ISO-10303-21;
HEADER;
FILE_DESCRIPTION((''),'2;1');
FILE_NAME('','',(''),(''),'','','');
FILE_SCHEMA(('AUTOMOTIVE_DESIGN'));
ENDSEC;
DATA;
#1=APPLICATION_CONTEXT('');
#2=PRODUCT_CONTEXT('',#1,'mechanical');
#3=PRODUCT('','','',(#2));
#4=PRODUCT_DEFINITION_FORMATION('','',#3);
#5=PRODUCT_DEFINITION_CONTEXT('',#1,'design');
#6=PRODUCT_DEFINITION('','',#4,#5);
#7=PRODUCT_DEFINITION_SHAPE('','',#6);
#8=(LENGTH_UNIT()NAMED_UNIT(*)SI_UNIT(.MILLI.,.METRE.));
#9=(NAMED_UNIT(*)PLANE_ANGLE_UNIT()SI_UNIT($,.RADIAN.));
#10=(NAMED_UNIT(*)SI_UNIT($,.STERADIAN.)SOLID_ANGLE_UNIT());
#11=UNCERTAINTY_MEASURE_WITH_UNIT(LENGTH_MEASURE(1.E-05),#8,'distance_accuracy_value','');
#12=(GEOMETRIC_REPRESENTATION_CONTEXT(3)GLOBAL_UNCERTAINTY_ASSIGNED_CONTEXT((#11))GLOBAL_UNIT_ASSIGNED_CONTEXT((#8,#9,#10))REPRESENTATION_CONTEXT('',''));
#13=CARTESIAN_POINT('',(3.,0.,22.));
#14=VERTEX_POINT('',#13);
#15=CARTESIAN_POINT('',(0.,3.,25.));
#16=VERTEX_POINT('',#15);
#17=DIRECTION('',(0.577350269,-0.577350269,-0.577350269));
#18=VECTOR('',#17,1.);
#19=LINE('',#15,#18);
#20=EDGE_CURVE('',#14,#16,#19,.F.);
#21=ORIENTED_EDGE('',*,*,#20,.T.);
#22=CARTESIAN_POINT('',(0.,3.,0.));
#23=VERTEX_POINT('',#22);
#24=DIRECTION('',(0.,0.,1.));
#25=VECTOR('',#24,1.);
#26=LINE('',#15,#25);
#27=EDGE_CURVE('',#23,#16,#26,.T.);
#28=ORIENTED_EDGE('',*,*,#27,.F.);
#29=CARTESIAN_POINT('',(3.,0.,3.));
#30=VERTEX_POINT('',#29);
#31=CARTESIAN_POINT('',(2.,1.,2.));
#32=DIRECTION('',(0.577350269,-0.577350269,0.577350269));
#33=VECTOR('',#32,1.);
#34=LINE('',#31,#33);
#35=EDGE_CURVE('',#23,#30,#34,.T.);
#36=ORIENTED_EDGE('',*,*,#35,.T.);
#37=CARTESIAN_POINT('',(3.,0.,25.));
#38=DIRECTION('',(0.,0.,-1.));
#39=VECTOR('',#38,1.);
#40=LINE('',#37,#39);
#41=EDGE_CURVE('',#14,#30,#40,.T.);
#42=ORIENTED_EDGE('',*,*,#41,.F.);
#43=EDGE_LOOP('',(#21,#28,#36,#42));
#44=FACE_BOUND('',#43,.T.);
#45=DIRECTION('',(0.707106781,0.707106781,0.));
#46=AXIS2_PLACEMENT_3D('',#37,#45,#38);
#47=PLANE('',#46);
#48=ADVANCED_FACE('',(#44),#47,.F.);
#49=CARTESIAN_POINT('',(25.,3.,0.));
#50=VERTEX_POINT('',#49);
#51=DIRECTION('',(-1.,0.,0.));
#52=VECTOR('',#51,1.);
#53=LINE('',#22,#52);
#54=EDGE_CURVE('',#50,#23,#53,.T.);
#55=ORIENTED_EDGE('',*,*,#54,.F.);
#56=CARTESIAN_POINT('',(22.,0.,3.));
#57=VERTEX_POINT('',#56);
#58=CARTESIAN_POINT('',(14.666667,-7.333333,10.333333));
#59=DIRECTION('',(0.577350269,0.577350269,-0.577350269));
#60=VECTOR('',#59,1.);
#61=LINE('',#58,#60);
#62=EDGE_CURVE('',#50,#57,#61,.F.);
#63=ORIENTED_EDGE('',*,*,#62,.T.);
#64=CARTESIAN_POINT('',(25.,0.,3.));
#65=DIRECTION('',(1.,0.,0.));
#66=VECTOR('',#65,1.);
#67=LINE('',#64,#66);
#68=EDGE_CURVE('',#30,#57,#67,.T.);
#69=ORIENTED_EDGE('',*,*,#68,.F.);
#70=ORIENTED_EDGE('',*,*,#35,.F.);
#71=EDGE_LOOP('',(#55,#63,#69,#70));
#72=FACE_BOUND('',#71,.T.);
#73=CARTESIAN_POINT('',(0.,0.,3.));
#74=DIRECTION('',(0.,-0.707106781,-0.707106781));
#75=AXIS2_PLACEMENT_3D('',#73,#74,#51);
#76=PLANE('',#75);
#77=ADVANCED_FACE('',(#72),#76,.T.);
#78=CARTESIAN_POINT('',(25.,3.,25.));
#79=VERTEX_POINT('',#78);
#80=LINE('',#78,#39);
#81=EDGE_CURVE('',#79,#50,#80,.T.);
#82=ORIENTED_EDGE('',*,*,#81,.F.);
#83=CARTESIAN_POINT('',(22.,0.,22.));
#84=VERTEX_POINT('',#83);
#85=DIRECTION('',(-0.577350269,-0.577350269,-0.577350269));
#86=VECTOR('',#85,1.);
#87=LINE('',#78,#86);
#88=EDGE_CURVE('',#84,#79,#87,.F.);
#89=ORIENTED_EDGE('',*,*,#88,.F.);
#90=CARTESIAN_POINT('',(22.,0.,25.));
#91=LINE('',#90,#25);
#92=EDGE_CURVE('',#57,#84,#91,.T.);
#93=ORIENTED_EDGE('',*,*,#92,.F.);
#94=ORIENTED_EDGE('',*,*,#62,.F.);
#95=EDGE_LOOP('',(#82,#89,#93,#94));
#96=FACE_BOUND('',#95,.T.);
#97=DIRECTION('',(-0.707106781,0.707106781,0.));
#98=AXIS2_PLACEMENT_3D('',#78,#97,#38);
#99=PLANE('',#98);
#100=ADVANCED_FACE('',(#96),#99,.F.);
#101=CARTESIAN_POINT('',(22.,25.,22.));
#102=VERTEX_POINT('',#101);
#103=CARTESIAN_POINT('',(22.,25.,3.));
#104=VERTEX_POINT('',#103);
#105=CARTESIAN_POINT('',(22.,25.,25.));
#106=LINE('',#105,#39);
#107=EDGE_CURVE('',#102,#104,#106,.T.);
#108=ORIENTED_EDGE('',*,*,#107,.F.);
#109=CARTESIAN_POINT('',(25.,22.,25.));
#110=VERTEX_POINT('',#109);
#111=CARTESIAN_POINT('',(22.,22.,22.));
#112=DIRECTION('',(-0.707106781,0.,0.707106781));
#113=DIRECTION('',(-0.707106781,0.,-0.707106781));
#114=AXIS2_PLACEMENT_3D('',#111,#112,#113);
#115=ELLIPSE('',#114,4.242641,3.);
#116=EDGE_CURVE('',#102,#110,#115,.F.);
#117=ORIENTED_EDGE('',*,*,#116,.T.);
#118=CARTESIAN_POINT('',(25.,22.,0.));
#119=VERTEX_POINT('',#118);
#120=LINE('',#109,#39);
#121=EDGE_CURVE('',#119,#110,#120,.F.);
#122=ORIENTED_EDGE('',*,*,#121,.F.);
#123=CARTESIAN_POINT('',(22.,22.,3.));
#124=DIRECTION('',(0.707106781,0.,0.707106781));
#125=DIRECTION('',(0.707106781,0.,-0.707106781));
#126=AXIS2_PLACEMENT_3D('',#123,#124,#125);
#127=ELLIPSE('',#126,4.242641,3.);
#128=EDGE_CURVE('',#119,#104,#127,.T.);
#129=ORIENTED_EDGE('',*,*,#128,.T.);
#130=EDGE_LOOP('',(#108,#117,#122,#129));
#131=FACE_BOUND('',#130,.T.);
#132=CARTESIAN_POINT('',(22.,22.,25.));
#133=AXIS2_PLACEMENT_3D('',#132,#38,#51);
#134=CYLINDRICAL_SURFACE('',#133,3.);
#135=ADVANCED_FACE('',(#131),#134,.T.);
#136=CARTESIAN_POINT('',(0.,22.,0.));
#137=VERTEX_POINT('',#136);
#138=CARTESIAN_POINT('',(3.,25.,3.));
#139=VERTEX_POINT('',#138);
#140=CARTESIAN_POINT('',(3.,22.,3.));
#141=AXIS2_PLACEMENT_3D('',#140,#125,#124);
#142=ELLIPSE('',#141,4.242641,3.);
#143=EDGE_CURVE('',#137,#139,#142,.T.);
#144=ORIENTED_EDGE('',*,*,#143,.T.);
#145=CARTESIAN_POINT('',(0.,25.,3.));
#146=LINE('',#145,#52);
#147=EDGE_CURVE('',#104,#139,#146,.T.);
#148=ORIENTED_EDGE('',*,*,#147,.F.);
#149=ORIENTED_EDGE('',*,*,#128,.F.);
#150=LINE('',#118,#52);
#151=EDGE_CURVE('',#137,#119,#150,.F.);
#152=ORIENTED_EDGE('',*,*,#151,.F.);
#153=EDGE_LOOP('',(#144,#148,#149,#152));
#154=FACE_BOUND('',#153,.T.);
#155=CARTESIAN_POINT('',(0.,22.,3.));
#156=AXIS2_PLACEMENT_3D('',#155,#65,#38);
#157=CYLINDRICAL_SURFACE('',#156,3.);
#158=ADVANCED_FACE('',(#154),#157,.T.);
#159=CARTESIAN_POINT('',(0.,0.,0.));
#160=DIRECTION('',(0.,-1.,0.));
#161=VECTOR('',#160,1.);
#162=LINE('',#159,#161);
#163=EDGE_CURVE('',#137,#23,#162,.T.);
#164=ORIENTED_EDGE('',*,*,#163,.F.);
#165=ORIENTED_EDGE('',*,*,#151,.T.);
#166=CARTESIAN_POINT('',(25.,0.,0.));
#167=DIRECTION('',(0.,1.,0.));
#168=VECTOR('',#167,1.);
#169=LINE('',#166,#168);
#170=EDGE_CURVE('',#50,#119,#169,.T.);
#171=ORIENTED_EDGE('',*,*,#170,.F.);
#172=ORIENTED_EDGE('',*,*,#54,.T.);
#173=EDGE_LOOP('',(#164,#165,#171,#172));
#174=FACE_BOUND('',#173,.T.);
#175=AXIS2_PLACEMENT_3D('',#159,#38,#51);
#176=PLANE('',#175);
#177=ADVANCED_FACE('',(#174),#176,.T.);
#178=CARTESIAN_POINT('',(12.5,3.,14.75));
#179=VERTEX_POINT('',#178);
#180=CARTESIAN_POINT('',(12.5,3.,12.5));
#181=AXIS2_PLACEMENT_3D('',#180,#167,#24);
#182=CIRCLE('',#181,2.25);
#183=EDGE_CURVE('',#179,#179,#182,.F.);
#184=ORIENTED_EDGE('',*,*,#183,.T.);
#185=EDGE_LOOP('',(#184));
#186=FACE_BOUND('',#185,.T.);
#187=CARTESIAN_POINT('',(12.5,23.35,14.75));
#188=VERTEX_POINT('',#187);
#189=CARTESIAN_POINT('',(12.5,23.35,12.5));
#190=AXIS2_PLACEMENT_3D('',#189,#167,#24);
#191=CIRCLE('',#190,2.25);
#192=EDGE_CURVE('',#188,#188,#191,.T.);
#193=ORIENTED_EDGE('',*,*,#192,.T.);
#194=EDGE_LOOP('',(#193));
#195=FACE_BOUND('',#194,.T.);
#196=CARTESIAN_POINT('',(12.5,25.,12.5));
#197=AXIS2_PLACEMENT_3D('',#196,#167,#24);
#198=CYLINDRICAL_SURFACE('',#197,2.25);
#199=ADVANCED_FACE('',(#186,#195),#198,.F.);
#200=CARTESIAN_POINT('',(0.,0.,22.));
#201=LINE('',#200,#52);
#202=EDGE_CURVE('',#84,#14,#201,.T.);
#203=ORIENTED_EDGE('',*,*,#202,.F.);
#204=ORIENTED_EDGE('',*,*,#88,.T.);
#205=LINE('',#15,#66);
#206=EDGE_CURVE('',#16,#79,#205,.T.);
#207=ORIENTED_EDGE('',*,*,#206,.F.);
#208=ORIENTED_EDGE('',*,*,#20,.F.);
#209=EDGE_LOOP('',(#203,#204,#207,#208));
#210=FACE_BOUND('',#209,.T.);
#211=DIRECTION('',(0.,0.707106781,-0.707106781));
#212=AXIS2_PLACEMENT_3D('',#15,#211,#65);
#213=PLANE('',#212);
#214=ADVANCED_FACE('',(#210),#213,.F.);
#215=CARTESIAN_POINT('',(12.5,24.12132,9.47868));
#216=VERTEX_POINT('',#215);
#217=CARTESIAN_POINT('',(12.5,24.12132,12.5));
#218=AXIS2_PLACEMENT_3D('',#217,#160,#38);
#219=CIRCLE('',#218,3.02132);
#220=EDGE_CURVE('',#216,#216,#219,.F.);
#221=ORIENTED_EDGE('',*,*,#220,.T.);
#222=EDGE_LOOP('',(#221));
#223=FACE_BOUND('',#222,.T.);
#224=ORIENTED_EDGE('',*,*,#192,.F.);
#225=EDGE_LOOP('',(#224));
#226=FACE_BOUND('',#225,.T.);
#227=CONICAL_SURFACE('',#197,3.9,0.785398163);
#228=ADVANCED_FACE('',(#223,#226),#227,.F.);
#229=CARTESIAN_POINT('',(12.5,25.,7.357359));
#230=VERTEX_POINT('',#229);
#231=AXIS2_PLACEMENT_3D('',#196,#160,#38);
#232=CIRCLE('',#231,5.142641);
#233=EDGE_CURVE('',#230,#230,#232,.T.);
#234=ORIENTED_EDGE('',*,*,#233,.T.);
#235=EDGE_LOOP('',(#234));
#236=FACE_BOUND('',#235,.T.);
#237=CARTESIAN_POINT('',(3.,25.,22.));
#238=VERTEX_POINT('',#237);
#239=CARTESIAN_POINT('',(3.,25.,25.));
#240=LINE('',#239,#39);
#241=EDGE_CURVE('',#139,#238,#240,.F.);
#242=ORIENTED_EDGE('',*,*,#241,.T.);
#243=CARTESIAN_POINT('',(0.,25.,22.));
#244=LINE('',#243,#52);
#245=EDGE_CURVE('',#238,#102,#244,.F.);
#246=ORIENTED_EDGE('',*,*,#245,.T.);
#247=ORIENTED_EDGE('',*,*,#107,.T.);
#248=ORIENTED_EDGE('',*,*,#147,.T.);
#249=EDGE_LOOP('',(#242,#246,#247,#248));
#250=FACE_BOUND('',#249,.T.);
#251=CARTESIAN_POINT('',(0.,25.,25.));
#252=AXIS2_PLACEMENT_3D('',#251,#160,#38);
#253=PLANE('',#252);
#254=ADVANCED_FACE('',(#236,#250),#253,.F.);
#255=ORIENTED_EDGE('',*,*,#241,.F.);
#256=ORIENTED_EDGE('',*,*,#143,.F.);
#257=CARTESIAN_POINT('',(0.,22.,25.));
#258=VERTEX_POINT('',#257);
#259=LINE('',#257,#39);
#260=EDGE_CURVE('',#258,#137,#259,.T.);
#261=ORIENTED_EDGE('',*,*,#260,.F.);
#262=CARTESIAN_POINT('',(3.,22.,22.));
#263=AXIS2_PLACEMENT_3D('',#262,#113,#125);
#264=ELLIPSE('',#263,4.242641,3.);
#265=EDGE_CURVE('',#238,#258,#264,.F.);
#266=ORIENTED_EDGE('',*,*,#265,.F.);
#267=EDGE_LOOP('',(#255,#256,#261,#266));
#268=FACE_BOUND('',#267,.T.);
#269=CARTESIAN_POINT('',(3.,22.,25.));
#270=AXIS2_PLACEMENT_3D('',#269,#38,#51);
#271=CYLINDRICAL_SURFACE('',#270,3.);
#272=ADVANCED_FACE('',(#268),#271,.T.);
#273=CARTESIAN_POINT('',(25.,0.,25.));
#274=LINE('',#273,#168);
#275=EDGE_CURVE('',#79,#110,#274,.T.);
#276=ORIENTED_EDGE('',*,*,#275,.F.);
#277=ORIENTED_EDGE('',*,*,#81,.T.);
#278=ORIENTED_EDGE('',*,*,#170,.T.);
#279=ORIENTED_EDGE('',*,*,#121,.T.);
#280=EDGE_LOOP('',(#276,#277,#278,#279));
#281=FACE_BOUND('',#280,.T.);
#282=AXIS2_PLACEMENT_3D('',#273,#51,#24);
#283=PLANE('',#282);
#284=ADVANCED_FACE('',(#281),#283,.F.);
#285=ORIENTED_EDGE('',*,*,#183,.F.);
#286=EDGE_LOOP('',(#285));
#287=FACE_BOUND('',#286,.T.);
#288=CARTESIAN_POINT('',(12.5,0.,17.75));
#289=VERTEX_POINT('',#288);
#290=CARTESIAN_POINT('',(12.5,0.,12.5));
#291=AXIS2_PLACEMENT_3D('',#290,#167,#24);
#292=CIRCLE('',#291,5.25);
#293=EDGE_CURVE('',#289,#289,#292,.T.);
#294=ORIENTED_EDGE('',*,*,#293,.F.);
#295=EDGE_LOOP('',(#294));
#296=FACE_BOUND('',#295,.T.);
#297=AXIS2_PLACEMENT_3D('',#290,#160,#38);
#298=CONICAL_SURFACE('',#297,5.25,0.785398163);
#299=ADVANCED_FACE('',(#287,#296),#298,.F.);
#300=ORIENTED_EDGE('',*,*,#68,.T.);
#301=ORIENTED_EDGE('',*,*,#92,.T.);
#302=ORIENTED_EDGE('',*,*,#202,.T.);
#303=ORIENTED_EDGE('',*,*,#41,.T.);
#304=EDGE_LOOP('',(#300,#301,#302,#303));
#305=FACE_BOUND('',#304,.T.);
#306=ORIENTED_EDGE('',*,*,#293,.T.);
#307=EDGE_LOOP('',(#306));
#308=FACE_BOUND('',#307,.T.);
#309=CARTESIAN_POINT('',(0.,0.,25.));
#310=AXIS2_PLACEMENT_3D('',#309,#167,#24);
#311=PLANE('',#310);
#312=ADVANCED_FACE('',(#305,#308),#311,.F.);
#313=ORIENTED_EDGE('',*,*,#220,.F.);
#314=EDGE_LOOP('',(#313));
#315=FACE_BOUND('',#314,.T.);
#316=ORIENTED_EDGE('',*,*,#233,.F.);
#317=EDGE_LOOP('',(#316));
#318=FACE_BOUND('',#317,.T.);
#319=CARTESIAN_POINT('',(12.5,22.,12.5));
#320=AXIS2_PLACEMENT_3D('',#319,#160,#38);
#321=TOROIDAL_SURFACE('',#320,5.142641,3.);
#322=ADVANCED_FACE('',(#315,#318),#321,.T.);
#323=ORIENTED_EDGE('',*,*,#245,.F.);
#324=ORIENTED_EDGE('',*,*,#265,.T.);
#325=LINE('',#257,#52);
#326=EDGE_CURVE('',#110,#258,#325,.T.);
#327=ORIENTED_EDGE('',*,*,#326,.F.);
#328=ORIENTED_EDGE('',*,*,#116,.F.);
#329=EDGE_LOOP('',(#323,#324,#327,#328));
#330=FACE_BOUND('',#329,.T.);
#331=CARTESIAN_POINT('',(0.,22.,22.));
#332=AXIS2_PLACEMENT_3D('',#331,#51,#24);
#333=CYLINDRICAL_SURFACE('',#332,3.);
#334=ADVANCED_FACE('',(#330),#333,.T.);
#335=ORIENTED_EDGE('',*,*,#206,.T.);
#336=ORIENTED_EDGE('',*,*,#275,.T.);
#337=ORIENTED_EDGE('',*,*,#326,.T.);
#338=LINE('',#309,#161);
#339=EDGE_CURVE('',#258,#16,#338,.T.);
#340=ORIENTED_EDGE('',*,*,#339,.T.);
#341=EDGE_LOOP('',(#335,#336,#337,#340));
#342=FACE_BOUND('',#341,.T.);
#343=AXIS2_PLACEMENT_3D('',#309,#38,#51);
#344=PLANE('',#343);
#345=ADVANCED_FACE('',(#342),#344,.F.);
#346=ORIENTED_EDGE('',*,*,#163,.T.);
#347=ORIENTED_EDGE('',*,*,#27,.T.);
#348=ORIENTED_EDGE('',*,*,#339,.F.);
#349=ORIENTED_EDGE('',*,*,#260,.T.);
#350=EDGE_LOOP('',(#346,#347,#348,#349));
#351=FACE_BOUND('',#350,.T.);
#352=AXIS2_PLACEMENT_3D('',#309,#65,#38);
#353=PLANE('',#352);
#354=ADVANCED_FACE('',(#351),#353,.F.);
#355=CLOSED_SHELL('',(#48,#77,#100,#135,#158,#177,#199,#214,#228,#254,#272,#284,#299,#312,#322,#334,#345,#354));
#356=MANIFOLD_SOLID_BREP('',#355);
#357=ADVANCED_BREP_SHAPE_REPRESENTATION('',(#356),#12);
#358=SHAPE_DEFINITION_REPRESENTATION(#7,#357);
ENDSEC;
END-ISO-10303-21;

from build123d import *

# Parameters (mm, degrees)
SKETCH_1_W      = 25
SKETCH_1_H      = 25
EXTRUDE_1_DEPTH = 25
FILLET_1_R      = 3
CHAMFER_1_SIZE  = 3


with BuildPart() as part:
    # 草图1 → 凸台-拉伸1 (new body)
    with BuildSketch(Plane.XY):
        with Locations((12.5, 12.5)):
            Rectangle(SKETCH_1_W, SKETCH_1_H)
    extrude(amount=EXTRUDE_1_DEPTH)

    # 草图3 → 切除-旋转1 (revolve, cut)
    with BuildSketch(Plane.XY.offset(12.5), mode=Mode.PRIVATE) as cut_revolve_1_sk:
        Polygon((10.25, 23.35), (10.25, 0), (12.5, 0), (12.5, 25), (8.6, 25), align=None)
    revolve(cut_revolve_1_sk.sketch.rotate(Axis((12.5, 25, 12.5), (0, -1, 0)), 270), axis=Axis((12.5, 25, 12.5), (0, -1, 0)), mode=Mode.SUBTRACT)

    # 圆角1
    fillet_1_edges = [part.edges().sort_by_distance(p)[0] for p in [
        (12.5, 25, 25),
        (12.5, 25, 8.6),
        (12.5, 25, 0),
        (0, 25, 12.5),
        (25, 25, 12.5),
    ]]
    fillet(fillet_1_edges, radius=FILLET_1_R)

    # 倒角1
    chamfer_1_edges = [part.edges().sort_by_distance(p)[0] for p in [
        (12.5, 0, 10.25),
        (12.5, 0, 0),
        (25, 0, 12.5),
        (0, 0, 12.5),
        (12.5, 0, 25),
    ]]
    chamfer(chamfer_1_edges, length=CHAMFER_1_SIZE)


solid = part.part
